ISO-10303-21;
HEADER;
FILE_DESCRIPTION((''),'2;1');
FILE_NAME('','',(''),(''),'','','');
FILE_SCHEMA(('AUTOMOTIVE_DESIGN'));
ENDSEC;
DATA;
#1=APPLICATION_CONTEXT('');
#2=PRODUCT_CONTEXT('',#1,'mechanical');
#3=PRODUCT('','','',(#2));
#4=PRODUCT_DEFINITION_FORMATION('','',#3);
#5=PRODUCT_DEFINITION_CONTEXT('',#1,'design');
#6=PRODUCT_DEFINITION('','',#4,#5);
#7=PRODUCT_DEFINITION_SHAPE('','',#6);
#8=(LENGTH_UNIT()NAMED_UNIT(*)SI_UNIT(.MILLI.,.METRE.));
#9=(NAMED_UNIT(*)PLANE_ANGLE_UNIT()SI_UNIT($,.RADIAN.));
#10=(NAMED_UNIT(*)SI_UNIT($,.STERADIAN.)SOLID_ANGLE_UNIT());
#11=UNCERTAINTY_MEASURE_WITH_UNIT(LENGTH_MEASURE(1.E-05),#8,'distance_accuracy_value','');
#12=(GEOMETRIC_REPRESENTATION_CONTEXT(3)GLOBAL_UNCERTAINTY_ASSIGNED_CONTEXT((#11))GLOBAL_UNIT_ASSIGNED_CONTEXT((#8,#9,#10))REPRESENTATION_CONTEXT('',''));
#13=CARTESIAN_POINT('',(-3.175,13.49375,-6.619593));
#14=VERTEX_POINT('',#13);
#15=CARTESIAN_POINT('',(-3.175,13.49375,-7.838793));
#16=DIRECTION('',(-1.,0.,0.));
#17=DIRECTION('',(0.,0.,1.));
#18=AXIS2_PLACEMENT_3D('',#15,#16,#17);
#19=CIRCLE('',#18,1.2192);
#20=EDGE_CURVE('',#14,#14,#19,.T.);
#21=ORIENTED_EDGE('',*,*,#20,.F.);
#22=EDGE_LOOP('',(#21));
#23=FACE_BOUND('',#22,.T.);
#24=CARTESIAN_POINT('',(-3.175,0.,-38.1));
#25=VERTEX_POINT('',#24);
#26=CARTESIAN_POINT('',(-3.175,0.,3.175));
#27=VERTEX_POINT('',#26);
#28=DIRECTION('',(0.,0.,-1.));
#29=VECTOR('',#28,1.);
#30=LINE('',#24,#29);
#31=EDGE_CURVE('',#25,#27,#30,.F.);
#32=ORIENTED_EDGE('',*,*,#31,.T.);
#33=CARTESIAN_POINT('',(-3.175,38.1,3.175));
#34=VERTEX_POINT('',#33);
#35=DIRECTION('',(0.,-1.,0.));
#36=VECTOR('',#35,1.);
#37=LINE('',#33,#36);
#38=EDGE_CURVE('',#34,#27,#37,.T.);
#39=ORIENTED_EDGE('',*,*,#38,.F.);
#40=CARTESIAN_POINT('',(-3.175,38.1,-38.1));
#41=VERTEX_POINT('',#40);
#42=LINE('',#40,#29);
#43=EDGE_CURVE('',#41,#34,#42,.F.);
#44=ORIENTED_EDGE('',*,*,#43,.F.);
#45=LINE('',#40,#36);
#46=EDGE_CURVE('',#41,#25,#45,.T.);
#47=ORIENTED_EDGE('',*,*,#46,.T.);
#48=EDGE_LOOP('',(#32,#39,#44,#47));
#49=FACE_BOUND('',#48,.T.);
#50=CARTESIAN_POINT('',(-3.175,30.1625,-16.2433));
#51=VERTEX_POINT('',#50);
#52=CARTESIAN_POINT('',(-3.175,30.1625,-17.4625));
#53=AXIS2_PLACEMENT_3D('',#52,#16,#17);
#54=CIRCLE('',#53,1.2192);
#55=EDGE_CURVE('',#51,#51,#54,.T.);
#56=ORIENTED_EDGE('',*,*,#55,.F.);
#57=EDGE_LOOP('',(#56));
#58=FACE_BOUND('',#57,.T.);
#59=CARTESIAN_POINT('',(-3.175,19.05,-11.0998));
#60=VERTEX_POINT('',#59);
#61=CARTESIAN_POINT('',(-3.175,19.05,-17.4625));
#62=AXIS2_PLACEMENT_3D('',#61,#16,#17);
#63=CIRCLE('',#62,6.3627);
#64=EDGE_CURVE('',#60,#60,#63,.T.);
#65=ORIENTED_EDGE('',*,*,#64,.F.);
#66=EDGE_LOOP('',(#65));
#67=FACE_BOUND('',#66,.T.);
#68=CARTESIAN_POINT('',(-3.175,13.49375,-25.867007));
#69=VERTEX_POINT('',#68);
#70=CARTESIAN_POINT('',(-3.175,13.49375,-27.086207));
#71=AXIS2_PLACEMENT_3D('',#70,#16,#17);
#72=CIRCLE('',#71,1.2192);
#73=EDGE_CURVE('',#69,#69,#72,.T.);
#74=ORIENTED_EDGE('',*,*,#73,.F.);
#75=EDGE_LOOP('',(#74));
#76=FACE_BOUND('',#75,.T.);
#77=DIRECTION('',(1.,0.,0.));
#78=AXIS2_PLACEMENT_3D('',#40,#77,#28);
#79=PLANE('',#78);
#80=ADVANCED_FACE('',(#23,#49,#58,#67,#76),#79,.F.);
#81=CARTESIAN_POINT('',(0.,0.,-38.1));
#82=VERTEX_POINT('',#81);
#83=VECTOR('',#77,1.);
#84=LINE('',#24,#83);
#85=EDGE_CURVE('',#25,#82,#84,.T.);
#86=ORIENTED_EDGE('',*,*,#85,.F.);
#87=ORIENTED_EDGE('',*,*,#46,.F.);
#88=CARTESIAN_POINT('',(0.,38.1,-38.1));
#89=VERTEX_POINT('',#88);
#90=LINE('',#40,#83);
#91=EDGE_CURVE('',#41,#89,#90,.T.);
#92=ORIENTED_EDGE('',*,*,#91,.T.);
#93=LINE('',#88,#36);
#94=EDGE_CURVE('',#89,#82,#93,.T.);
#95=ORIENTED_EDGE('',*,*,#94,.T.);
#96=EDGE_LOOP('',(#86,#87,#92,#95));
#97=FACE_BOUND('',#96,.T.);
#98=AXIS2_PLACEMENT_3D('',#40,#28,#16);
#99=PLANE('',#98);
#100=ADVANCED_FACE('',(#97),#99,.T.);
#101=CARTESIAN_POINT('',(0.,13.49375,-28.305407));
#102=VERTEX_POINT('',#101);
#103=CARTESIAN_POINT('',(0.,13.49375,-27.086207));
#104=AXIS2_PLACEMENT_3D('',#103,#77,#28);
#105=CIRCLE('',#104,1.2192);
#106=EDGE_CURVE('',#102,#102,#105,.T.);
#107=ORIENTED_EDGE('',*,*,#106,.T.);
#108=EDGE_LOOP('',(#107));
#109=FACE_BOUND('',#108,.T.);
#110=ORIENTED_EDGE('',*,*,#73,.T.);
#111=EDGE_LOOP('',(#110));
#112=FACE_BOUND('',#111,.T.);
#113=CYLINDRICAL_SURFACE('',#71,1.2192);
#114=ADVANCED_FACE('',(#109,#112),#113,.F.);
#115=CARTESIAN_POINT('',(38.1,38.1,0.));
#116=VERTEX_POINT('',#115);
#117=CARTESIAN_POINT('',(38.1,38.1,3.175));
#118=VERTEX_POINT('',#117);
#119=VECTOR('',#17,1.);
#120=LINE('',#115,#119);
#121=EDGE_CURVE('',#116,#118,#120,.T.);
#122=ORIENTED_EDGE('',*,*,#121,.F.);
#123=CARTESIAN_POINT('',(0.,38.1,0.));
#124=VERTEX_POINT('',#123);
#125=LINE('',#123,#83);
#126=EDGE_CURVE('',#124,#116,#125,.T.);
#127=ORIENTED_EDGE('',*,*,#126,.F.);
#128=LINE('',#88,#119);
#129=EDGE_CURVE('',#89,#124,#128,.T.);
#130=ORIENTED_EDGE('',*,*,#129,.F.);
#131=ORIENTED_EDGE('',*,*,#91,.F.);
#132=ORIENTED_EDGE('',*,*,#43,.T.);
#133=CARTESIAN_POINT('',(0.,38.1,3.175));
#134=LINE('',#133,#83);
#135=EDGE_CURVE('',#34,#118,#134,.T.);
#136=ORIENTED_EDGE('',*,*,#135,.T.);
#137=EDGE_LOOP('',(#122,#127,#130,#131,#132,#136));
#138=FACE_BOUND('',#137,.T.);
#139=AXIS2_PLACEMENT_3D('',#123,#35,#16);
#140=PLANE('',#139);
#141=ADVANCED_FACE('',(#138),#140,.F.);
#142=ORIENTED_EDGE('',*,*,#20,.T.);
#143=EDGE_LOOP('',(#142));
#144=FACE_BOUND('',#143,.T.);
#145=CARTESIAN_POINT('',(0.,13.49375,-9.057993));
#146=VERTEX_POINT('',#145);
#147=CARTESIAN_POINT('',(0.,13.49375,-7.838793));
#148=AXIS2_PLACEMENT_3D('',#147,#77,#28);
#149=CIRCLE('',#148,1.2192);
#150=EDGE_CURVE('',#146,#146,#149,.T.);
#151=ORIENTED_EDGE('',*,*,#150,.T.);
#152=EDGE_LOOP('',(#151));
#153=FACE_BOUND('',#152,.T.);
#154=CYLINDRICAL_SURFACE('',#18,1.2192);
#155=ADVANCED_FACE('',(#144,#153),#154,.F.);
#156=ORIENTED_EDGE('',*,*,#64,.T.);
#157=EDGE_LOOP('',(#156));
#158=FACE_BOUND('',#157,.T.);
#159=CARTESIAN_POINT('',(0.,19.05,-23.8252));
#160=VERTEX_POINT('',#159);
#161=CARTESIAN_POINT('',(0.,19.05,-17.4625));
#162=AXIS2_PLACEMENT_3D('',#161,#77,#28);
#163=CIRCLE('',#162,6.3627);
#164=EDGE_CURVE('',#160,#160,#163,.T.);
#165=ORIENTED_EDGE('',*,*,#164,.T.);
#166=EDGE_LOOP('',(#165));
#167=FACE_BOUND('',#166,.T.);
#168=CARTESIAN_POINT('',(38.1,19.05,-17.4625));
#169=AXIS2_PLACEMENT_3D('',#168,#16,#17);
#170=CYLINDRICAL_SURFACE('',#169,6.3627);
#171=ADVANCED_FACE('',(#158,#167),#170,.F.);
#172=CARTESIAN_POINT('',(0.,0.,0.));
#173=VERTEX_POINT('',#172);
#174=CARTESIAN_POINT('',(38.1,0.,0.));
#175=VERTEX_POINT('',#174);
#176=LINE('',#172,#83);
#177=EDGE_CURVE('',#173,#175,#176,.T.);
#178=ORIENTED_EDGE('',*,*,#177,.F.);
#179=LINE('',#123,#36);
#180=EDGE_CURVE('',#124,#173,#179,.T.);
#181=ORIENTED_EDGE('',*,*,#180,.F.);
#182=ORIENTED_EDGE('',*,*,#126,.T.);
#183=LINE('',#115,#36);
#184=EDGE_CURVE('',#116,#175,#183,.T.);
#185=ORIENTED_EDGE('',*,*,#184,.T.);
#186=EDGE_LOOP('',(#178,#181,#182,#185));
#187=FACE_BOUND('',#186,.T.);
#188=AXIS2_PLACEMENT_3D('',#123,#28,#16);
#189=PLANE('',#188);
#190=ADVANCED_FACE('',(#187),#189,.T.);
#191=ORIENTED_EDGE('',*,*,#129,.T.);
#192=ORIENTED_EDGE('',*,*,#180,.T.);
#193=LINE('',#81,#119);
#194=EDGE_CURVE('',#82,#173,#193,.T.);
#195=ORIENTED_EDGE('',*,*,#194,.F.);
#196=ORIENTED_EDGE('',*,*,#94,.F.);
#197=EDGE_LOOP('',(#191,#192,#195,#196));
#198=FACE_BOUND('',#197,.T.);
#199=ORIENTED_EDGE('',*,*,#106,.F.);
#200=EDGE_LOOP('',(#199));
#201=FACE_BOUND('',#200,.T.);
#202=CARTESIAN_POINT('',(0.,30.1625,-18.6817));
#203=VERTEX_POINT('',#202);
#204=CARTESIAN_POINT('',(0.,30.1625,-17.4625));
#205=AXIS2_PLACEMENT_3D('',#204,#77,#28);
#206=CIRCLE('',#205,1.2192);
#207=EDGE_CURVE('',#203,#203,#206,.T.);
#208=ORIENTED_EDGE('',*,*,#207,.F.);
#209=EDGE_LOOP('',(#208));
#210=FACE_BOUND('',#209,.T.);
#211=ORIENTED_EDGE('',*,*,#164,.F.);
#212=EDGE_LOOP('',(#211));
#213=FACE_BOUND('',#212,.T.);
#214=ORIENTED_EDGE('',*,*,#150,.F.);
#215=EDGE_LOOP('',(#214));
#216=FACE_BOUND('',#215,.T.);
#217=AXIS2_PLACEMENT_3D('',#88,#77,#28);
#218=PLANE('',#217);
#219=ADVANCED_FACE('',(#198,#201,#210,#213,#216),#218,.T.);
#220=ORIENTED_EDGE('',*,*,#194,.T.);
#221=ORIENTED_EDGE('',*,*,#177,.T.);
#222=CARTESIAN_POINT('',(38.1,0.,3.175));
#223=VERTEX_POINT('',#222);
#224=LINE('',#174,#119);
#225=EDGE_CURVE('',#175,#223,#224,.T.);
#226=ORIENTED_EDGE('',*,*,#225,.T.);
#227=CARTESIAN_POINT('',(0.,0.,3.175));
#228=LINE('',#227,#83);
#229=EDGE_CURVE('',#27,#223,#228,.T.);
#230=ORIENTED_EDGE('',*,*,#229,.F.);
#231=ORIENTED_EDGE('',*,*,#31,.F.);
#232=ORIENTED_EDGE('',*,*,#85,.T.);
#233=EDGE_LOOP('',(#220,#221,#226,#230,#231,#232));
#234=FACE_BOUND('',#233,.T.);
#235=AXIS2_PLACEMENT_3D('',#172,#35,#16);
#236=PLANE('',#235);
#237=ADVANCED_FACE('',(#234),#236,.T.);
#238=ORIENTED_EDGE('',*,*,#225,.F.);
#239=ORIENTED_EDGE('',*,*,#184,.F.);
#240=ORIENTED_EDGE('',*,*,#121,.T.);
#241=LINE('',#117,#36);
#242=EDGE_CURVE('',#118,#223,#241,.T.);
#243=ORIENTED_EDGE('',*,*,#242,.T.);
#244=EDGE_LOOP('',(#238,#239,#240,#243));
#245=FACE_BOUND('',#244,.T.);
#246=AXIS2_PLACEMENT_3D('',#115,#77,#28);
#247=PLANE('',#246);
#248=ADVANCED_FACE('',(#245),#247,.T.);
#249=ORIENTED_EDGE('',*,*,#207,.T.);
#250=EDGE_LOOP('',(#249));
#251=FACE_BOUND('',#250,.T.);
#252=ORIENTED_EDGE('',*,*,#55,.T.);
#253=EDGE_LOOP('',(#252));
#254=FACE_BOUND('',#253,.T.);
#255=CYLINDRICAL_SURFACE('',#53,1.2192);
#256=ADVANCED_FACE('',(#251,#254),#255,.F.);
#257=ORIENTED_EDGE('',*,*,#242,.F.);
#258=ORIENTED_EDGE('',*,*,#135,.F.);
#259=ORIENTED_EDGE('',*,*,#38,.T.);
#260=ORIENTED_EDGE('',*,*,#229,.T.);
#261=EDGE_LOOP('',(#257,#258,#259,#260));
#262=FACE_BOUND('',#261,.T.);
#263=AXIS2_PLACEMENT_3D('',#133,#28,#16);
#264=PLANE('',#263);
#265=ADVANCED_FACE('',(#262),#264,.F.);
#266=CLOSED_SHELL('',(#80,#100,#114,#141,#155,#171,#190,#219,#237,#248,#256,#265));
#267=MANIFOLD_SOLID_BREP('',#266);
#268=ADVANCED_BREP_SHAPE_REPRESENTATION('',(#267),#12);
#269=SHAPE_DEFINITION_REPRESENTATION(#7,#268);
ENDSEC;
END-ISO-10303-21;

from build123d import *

# Parameters (mm, degrees)
EXTRUDE_THIN1_DEPTH   = 38.1
SKETCH2_R             = 6.3627
CUT_EXTRUDE1_DEPTH    = 68.873747686
F_2_CLEARANCE_HOLE1_D = 2.4384


with BuildPart() as part:
    # Sketch1 → Extrude-Thin1 (new body)
    with BuildSketch(Plane(origin=(0, 0, 0), x_dir=(1, 0, 0), z_dir=(0, 1, 0))):
        Polygon((0, 38.1), (0, 0), (38.1, 0), (38.1, -3.175), (-3.175, -3.175), (-3.175, 38.1), align=None)
    extrude(amount=EXTRUDE_THIN1_DEPTH)

    # Sketch2 → Cut-Extrude1 (cut, through all)
    with BuildSketch(Plane.ZY.offset(3.175)):
        with Locations((-17.4625, 19.05)):
            Circle(SKETCH2_R)
    extrude(amount=-CUT_EXTRUDE1_DEPTH, mode=Mode.SUBTRACT)

    # #2 Clearance Hole1 (through all)
    with Locations(Plane.ZY.offset(3.175)):
        with Locations((-27.0862073, 13.49375), (-17.4625, 30.1625), (-7.8387927, 13.49375)):
            Hole(F_2_CLEARANCE_HOLE1_D / 2)


solid = part.part
